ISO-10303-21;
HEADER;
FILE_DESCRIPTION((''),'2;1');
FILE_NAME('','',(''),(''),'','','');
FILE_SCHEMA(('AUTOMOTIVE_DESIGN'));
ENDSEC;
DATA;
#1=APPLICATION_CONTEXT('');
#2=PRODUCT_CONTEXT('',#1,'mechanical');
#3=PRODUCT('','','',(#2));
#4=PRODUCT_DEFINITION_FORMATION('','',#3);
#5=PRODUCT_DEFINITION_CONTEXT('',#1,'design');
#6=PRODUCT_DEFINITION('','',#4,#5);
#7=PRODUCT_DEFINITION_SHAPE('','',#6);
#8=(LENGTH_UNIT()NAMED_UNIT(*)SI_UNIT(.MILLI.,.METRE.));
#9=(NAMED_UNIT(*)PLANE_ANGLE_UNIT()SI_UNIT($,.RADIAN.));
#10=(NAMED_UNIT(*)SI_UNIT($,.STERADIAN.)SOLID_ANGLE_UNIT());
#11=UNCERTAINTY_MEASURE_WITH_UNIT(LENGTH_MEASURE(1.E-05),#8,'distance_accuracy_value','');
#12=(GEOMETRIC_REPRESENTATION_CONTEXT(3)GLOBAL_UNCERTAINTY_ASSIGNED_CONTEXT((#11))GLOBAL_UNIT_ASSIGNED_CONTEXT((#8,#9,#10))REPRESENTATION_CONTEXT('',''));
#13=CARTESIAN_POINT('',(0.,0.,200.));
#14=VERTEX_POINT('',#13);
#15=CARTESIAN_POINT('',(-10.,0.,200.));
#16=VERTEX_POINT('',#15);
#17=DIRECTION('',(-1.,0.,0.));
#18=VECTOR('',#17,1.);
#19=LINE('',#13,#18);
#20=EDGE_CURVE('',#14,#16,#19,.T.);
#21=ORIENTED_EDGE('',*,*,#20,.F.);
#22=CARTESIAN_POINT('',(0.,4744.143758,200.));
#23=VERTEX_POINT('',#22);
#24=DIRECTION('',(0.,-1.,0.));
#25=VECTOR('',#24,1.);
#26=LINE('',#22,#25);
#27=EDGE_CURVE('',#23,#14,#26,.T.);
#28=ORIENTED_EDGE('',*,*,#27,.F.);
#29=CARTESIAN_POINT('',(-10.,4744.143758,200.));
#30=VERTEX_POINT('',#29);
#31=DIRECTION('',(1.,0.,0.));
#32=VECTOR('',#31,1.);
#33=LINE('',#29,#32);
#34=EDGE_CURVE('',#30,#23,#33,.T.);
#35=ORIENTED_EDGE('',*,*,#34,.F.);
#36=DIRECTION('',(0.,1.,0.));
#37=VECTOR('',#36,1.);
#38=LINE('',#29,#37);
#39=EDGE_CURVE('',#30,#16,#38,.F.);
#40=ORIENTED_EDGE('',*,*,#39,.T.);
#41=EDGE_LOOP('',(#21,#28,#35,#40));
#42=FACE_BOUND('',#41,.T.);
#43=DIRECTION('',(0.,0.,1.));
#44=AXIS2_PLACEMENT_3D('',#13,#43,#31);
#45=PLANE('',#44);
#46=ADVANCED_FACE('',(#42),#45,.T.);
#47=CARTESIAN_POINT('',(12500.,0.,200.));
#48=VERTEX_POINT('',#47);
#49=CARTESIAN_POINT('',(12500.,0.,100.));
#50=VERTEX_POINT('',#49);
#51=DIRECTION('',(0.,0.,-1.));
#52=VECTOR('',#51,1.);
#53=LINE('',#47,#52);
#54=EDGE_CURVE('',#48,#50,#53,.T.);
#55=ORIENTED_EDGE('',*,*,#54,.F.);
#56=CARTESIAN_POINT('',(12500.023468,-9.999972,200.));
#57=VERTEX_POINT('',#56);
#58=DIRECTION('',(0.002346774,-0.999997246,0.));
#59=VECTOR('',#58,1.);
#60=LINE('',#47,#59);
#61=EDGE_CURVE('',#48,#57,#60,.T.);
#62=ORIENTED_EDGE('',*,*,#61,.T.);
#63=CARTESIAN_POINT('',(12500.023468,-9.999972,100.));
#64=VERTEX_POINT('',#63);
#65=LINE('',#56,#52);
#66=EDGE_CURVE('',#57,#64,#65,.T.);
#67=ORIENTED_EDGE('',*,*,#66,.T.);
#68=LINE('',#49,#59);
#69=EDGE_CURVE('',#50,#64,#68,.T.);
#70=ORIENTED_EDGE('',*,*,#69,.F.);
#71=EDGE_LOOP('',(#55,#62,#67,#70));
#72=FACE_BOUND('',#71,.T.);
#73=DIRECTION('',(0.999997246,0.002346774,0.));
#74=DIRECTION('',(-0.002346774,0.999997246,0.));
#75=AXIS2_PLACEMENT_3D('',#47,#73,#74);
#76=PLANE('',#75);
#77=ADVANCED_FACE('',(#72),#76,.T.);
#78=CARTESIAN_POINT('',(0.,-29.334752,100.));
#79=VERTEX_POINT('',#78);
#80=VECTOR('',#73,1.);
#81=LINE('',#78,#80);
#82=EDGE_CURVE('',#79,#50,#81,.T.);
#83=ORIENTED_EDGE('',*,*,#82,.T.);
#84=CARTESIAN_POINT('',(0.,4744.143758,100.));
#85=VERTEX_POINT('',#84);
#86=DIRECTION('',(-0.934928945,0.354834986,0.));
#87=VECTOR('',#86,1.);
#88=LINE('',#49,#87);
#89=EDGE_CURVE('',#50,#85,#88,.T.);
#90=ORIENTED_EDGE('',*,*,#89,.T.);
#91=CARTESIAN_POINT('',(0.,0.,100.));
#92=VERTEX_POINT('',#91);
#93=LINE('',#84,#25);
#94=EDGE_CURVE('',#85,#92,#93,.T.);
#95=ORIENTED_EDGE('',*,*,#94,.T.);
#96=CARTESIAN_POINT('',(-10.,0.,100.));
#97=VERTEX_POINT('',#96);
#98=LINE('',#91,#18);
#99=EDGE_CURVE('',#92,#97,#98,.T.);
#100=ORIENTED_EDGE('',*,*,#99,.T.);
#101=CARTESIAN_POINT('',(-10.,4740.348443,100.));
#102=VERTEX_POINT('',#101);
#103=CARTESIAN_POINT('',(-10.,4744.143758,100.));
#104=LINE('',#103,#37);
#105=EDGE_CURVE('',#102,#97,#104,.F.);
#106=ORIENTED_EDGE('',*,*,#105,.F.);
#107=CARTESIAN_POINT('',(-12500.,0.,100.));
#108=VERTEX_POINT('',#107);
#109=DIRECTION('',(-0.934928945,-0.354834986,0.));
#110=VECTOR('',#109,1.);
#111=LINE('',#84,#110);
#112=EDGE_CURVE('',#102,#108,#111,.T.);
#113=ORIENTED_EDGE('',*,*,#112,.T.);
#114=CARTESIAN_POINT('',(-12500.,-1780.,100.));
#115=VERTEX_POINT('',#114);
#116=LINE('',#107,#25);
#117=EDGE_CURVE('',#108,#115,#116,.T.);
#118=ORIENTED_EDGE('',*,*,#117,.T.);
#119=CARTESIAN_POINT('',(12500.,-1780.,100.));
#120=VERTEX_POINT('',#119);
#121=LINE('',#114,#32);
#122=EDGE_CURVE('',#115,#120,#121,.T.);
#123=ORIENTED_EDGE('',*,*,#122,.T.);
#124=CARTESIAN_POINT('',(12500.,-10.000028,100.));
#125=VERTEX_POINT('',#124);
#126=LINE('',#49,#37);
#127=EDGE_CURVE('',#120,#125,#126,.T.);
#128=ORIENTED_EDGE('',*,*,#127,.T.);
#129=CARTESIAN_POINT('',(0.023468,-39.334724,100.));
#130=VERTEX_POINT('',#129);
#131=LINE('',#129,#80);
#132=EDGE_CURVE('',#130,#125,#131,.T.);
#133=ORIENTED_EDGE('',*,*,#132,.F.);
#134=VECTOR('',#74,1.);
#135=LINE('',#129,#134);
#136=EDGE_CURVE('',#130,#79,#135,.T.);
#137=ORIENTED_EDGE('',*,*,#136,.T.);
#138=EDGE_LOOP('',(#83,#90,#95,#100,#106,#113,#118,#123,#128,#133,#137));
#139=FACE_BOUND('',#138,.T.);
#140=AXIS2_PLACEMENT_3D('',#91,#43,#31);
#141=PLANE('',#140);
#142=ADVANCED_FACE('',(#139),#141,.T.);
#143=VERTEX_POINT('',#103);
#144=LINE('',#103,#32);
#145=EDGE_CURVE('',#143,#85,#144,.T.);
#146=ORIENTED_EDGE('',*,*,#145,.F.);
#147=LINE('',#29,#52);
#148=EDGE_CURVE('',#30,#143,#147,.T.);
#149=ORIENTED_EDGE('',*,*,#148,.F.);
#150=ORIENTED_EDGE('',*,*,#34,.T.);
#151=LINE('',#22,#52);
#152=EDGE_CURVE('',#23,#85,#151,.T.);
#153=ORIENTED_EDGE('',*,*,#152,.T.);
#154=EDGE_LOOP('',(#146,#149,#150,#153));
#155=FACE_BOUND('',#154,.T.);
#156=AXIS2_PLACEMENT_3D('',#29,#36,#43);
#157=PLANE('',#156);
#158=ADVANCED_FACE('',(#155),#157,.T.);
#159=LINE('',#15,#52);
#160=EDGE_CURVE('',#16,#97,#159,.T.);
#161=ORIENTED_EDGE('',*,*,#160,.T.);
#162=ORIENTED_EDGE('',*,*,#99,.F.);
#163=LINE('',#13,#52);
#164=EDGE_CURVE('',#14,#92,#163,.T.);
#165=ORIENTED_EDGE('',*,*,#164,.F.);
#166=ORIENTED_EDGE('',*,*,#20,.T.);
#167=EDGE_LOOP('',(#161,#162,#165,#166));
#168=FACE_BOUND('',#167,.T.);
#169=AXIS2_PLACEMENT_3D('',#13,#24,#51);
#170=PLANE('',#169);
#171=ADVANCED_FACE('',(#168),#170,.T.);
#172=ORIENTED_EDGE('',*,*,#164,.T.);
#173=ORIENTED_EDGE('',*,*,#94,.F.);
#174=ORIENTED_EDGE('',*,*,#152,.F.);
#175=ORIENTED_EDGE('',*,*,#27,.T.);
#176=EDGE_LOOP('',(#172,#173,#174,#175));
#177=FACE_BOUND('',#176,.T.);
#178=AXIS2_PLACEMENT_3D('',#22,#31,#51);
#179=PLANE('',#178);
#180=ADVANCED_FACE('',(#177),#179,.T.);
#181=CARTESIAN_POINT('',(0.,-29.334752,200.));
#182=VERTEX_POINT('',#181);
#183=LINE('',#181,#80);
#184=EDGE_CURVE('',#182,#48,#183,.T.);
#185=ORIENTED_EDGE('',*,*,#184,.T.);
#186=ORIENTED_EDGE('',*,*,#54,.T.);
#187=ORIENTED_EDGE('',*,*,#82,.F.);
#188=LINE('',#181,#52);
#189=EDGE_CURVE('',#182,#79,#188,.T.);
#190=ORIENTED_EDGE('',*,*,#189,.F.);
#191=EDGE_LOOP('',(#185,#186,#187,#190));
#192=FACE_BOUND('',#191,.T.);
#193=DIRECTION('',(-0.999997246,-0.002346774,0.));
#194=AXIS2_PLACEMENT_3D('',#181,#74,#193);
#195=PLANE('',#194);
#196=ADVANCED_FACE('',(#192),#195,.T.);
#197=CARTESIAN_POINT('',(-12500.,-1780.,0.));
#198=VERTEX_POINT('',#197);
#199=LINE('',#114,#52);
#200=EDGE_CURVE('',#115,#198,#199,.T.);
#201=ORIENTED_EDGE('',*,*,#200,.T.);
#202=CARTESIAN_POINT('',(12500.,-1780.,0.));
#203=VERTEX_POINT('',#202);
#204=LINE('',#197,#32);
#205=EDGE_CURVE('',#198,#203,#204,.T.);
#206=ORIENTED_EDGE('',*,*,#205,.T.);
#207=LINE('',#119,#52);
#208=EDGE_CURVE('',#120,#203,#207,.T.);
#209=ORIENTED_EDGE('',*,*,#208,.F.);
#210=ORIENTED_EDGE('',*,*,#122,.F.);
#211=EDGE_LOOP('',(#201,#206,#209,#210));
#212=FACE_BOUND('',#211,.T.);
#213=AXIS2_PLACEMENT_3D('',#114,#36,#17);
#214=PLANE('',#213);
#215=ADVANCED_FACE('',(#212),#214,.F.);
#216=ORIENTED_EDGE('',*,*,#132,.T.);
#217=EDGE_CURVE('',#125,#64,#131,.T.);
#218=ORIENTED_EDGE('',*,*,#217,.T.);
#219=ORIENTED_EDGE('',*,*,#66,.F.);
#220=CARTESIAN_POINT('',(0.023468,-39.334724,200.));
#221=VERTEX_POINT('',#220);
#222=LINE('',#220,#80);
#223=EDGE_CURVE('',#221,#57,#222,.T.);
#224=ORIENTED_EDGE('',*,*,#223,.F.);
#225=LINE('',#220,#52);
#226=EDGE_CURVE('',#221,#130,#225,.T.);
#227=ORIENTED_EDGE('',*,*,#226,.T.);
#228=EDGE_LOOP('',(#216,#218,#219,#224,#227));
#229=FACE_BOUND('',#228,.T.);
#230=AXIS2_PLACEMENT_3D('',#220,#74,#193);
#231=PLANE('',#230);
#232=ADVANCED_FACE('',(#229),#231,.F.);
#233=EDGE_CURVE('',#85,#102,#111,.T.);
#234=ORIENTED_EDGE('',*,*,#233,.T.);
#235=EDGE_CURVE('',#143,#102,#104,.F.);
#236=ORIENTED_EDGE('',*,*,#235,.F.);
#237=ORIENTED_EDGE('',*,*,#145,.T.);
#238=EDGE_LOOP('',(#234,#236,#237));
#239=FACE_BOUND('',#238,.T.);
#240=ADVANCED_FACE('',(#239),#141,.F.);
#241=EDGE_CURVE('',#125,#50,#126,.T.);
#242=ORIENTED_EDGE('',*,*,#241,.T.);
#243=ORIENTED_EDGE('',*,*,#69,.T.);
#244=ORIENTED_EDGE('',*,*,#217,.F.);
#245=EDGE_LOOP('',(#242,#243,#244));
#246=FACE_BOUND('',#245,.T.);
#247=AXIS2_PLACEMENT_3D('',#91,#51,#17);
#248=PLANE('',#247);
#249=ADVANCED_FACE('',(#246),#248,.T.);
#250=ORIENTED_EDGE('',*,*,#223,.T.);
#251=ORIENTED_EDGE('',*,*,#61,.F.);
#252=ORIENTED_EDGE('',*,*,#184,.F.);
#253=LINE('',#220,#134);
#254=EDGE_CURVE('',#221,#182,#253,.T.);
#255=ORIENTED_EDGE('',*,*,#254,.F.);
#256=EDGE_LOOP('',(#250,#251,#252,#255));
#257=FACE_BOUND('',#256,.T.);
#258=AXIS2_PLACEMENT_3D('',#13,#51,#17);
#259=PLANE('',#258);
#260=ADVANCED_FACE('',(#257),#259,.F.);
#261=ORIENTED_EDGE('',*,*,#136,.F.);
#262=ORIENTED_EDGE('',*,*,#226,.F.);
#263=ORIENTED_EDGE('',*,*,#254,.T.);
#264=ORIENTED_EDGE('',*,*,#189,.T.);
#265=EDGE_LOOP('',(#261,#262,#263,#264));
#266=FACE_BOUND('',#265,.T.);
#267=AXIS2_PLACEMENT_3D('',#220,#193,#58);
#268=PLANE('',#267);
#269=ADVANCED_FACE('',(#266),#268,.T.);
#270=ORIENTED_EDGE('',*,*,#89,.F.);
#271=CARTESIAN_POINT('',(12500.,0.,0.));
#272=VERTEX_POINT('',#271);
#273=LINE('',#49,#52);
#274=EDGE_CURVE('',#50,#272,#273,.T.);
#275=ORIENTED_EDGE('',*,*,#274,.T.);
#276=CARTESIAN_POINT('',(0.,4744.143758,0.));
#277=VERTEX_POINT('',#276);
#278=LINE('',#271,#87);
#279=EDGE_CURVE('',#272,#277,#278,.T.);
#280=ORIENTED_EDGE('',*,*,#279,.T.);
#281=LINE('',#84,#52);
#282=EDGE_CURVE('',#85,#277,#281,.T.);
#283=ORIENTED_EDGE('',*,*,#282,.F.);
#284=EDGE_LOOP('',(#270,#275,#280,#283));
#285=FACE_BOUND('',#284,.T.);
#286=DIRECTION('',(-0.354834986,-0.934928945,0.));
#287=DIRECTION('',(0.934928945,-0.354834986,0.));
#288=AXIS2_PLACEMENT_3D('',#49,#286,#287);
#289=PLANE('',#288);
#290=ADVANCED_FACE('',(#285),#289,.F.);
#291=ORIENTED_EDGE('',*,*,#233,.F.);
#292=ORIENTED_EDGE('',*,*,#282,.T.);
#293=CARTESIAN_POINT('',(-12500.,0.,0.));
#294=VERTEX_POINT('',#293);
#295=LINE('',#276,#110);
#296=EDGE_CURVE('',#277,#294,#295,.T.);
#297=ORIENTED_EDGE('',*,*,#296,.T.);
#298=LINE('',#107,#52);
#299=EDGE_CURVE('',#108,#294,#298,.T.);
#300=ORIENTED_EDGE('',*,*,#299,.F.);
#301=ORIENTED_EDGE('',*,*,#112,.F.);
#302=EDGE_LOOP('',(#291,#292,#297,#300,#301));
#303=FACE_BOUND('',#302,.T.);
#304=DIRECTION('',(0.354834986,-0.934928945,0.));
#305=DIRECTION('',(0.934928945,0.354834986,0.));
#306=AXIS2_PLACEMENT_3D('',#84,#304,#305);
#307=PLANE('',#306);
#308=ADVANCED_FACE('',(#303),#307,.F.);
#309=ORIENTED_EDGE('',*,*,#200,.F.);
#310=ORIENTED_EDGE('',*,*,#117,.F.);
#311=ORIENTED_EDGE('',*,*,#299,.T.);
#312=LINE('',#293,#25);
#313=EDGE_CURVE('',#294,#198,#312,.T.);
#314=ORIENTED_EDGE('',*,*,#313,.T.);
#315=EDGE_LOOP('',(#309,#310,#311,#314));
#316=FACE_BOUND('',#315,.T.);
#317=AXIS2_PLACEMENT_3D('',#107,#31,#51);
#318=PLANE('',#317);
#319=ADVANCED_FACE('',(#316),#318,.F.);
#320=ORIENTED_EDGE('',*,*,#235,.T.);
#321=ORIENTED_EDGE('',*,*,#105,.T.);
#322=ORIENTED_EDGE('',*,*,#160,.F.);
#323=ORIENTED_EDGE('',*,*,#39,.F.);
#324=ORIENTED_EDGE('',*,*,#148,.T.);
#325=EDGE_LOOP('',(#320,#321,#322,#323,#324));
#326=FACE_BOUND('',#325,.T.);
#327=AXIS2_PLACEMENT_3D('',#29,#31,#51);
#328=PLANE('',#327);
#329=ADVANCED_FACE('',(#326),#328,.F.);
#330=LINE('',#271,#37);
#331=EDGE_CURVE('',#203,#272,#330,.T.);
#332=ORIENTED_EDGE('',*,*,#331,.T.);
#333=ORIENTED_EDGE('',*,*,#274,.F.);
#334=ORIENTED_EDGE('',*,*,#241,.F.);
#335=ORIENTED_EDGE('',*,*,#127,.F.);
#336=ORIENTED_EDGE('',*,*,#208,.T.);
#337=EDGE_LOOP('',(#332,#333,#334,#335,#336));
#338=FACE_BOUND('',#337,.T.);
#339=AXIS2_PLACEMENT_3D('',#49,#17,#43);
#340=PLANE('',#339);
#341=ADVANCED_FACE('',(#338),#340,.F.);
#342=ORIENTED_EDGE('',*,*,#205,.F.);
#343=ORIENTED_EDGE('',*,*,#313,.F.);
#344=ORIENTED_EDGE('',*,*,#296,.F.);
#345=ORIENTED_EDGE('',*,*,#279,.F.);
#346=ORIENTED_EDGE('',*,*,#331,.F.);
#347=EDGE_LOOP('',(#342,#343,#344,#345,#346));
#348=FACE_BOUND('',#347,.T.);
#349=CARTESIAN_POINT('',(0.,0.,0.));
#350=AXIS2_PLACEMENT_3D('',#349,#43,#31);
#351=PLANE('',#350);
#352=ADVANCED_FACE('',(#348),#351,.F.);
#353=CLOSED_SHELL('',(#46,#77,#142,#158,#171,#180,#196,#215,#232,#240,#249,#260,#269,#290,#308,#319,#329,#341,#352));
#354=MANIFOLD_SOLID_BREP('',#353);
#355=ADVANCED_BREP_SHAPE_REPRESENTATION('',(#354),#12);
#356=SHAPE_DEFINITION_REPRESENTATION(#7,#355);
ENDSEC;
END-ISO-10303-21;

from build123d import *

# Parameters (mm, degrees)
SALIENTE_EXTRUIR1_DEPTH = 100
CROQUIS6_W              = 10
CROQUIS6_H              = 4744.143758361
EXTRUIR_L_MINA1_DEPTH   = 100


with BuildPart() as part:
    # Croquis5 → Saliente-Extruir1 (new body)
    with BuildSketch(Plane.XY):
        Polygon((12500, 0), (0, 4744.143758361), (-12500, 0), (-12500, -1780), (12500, -1780), align=None)
    extrude(amount=SALIENTE_EXTRUIR1_DEPTH)

    # Croquis6 → Extruir-Lámina1 (add)
    with BuildSketch(Plane.XY.offset(100)):
        with Locations((-5, 2372.071879181)):
            Rectangle(CROQUIS6_W, CROQUIS6_H)
        Polygon((0, -29.334752026), (12500, 0), (12500.023467737, -9.999972463), (0.023467737, -39.334724489), align=None)
    extrude(amount=EXTRUIR_L_MINA1_DEPTH)


solid = part.part
